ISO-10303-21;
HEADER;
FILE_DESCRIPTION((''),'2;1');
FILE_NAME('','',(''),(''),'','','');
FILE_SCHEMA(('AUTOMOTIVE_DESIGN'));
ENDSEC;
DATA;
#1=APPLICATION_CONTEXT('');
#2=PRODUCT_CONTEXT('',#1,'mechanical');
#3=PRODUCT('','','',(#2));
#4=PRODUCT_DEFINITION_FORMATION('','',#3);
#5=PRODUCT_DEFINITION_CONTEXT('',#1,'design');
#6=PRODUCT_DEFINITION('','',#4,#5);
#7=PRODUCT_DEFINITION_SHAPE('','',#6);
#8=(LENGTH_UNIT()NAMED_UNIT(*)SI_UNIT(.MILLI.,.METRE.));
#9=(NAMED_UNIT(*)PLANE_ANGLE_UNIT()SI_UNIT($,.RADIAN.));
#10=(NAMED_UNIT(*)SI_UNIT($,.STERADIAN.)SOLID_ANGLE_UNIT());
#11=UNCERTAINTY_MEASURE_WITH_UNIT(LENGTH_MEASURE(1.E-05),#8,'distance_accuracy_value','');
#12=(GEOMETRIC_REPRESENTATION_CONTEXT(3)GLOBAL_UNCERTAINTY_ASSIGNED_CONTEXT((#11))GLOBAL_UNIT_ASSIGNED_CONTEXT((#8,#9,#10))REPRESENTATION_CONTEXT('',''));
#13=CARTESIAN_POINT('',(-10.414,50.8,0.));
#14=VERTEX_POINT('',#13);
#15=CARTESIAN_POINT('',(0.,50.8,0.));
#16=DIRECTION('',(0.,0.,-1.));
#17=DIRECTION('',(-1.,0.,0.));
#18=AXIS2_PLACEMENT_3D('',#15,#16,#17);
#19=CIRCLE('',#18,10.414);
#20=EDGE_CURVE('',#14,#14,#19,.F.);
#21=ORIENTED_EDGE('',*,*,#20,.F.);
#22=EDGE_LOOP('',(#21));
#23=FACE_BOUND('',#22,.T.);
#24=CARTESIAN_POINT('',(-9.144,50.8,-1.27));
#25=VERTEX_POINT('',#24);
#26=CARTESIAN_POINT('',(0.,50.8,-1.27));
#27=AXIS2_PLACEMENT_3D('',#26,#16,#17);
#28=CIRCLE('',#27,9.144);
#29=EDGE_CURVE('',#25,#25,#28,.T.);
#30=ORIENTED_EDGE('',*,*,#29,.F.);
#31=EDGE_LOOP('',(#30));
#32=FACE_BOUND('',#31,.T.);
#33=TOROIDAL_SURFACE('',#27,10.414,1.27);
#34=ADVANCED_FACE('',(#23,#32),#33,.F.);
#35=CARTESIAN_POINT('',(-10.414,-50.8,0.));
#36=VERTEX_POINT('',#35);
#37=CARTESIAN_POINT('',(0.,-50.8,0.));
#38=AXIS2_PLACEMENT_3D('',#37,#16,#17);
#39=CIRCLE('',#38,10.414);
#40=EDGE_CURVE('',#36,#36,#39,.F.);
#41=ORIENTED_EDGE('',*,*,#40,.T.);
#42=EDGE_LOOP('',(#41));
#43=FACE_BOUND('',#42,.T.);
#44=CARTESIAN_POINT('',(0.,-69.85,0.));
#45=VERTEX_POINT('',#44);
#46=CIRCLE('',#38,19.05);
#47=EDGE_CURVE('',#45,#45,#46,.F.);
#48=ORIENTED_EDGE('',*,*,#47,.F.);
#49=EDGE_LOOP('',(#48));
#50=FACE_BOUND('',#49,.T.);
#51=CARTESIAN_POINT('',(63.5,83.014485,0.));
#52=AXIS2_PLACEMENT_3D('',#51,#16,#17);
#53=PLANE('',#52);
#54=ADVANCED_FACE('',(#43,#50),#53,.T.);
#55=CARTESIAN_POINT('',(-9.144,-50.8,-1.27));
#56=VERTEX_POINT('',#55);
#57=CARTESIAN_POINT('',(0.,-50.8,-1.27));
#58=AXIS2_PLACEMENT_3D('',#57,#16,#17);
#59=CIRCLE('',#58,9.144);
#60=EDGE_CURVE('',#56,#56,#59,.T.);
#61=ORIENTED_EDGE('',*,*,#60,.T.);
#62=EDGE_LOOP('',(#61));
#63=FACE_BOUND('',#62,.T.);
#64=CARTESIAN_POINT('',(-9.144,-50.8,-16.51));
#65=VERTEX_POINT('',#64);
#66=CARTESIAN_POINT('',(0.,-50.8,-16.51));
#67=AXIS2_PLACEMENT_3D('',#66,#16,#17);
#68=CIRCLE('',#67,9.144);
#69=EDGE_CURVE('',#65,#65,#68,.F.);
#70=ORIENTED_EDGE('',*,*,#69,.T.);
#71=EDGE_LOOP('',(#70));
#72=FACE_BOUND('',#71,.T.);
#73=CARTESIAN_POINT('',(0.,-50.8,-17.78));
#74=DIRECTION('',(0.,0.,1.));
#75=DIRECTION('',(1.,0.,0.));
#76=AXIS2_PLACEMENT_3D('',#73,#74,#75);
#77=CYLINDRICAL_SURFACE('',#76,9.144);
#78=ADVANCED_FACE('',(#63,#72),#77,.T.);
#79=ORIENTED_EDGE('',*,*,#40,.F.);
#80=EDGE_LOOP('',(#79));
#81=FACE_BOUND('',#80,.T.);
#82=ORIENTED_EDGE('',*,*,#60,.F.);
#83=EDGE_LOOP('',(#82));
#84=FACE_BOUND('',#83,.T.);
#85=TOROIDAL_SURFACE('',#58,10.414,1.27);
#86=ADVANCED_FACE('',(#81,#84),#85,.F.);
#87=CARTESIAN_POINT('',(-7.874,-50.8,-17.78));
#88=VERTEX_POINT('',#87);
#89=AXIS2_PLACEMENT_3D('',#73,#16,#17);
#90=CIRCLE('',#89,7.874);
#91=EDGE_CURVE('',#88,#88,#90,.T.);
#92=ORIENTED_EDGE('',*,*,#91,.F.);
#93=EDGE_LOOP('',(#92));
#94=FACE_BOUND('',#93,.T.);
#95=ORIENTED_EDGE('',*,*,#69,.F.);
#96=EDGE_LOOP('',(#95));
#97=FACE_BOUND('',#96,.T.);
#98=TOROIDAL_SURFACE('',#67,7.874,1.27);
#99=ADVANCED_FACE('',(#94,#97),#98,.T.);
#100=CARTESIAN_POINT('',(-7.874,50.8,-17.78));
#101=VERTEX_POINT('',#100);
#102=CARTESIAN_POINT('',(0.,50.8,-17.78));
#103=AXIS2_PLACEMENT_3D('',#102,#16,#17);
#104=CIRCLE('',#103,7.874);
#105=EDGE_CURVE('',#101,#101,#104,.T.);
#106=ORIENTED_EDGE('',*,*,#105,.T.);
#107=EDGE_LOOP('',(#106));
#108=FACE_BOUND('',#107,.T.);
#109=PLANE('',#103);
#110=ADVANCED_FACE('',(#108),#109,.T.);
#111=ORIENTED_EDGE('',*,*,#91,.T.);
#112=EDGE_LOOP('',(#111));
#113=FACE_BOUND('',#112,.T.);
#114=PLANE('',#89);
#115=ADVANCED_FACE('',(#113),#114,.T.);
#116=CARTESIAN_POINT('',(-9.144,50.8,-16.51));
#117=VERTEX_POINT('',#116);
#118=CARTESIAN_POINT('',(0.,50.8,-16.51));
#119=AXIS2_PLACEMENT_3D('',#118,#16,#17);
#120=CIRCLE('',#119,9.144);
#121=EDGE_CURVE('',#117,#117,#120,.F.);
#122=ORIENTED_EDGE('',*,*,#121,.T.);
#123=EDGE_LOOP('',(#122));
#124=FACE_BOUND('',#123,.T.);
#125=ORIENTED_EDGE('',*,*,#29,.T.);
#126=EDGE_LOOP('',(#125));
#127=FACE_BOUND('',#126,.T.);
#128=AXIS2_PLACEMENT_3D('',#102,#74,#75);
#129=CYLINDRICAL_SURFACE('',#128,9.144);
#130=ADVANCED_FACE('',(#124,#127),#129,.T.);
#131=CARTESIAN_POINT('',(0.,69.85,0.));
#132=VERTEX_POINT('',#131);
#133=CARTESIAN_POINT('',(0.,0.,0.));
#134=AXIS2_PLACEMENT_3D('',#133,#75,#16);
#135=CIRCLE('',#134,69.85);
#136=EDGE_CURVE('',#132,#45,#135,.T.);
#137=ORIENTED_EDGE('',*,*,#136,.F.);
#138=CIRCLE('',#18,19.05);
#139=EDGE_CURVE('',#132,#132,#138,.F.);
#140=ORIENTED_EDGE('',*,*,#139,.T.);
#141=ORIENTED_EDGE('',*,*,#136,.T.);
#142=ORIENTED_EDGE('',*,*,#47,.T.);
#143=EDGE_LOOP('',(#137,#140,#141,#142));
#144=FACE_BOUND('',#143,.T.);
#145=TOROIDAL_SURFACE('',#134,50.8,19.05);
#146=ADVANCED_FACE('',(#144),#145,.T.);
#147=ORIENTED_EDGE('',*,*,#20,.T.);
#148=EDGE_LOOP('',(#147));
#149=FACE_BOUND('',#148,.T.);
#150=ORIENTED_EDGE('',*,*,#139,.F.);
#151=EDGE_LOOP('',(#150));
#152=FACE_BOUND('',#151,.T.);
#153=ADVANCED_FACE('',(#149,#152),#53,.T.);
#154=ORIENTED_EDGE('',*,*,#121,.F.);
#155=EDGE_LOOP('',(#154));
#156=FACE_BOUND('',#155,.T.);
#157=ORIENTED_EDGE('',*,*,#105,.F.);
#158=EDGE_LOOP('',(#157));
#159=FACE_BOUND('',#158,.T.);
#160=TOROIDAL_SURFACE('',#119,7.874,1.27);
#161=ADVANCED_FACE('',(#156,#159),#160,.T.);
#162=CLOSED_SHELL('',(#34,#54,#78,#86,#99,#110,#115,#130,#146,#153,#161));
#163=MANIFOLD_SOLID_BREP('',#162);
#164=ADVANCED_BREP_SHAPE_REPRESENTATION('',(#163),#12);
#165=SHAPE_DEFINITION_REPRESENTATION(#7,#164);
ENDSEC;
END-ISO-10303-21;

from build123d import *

# Parameters (mm, degrees)
SWEEP1_PROFILE_R        = 19.05
CUT_EXTRUDE1_DEPTH      = 63.5
CUT_EXTRUDE1_DEPTH_BACK = 73.406
SKETCH8_W               = 178.900879979
SKETCH8_H               = 78.070926248
SKETCH9_R               = 9.144
BOSS_EXTRUDE1_DEPTH     = 17.78
FILLET1_R               = 1.27
FILLET2_R               = 1.27


with BuildPart() as part:
    # Sweep1: sweep along a path in Sketch1
    with BuildLine(Plane.YZ) as sweep1_path:
        CenterArc((0, 0), 50.8, 0, 360)
    # Sweep1 profile (on start of the path) → Sweep1 (sweep)
    with BuildSketch(Plane(origin=(0, 50.8, 0), x_dir=(1, 0, 0), z_dir=(0, 0, 1))):
        Circle(SWEEP1_PROFILE_R)
    sweep(path=sweep1_path.line)

    # Sketch8 → Cut-Extrude1 (cut, two sides: drawn at the far end of the back side and taken through both)
    with BuildSketch(Plane.YZ.offset(-CUT_EXTRUDE1_DEPTH_BACK)):
        with Locations((-6.435954493, -39.035463124)):
            Rectangle(SKETCH8_W, SKETCH8_H)
    extrude(amount=CUT_EXTRUDE1_DEPTH + CUT_EXTRUDE1_DEPTH_BACK, mode=Mode.SUBTRACT)

    # Sketch9 → Boss-Extrude1 (add)
    with BuildSketch(Plane(origin=(0, 0, 0), x_dir=(1, 0, 0), z_dir=(0, 0, -1))):
        with Locations(Location((0, 50.8, 0), (0, 0, 180))):
            Circle(SKETCH9_R)
        with Locations(Location((0, -50.8, 0), (0, 0, 180))):
            Circle(SKETCH9_R)
    extrude(amount=BOSS_EXTRUDE1_DEPTH)

    # Fillet1
    fillet1_edges = [part.edges().sort_by_distance(p)[0] for p in [
        (9.144, -50.8, -17.78),
        (9.144, 50.8, -17.78),
    ]]
    fillet(fillet1_edges, radius=FILLET1_R)

    # Fillet2
    fillet2_edges = [part.edges().sort_by_distance(p)[0] for p in [
        (9.144, -50.8, 0),
        (9.144, 50.8, 0),
    ]]
    fillet(fillet2_edges, radius=FILLET2_R)


solid = part.part
